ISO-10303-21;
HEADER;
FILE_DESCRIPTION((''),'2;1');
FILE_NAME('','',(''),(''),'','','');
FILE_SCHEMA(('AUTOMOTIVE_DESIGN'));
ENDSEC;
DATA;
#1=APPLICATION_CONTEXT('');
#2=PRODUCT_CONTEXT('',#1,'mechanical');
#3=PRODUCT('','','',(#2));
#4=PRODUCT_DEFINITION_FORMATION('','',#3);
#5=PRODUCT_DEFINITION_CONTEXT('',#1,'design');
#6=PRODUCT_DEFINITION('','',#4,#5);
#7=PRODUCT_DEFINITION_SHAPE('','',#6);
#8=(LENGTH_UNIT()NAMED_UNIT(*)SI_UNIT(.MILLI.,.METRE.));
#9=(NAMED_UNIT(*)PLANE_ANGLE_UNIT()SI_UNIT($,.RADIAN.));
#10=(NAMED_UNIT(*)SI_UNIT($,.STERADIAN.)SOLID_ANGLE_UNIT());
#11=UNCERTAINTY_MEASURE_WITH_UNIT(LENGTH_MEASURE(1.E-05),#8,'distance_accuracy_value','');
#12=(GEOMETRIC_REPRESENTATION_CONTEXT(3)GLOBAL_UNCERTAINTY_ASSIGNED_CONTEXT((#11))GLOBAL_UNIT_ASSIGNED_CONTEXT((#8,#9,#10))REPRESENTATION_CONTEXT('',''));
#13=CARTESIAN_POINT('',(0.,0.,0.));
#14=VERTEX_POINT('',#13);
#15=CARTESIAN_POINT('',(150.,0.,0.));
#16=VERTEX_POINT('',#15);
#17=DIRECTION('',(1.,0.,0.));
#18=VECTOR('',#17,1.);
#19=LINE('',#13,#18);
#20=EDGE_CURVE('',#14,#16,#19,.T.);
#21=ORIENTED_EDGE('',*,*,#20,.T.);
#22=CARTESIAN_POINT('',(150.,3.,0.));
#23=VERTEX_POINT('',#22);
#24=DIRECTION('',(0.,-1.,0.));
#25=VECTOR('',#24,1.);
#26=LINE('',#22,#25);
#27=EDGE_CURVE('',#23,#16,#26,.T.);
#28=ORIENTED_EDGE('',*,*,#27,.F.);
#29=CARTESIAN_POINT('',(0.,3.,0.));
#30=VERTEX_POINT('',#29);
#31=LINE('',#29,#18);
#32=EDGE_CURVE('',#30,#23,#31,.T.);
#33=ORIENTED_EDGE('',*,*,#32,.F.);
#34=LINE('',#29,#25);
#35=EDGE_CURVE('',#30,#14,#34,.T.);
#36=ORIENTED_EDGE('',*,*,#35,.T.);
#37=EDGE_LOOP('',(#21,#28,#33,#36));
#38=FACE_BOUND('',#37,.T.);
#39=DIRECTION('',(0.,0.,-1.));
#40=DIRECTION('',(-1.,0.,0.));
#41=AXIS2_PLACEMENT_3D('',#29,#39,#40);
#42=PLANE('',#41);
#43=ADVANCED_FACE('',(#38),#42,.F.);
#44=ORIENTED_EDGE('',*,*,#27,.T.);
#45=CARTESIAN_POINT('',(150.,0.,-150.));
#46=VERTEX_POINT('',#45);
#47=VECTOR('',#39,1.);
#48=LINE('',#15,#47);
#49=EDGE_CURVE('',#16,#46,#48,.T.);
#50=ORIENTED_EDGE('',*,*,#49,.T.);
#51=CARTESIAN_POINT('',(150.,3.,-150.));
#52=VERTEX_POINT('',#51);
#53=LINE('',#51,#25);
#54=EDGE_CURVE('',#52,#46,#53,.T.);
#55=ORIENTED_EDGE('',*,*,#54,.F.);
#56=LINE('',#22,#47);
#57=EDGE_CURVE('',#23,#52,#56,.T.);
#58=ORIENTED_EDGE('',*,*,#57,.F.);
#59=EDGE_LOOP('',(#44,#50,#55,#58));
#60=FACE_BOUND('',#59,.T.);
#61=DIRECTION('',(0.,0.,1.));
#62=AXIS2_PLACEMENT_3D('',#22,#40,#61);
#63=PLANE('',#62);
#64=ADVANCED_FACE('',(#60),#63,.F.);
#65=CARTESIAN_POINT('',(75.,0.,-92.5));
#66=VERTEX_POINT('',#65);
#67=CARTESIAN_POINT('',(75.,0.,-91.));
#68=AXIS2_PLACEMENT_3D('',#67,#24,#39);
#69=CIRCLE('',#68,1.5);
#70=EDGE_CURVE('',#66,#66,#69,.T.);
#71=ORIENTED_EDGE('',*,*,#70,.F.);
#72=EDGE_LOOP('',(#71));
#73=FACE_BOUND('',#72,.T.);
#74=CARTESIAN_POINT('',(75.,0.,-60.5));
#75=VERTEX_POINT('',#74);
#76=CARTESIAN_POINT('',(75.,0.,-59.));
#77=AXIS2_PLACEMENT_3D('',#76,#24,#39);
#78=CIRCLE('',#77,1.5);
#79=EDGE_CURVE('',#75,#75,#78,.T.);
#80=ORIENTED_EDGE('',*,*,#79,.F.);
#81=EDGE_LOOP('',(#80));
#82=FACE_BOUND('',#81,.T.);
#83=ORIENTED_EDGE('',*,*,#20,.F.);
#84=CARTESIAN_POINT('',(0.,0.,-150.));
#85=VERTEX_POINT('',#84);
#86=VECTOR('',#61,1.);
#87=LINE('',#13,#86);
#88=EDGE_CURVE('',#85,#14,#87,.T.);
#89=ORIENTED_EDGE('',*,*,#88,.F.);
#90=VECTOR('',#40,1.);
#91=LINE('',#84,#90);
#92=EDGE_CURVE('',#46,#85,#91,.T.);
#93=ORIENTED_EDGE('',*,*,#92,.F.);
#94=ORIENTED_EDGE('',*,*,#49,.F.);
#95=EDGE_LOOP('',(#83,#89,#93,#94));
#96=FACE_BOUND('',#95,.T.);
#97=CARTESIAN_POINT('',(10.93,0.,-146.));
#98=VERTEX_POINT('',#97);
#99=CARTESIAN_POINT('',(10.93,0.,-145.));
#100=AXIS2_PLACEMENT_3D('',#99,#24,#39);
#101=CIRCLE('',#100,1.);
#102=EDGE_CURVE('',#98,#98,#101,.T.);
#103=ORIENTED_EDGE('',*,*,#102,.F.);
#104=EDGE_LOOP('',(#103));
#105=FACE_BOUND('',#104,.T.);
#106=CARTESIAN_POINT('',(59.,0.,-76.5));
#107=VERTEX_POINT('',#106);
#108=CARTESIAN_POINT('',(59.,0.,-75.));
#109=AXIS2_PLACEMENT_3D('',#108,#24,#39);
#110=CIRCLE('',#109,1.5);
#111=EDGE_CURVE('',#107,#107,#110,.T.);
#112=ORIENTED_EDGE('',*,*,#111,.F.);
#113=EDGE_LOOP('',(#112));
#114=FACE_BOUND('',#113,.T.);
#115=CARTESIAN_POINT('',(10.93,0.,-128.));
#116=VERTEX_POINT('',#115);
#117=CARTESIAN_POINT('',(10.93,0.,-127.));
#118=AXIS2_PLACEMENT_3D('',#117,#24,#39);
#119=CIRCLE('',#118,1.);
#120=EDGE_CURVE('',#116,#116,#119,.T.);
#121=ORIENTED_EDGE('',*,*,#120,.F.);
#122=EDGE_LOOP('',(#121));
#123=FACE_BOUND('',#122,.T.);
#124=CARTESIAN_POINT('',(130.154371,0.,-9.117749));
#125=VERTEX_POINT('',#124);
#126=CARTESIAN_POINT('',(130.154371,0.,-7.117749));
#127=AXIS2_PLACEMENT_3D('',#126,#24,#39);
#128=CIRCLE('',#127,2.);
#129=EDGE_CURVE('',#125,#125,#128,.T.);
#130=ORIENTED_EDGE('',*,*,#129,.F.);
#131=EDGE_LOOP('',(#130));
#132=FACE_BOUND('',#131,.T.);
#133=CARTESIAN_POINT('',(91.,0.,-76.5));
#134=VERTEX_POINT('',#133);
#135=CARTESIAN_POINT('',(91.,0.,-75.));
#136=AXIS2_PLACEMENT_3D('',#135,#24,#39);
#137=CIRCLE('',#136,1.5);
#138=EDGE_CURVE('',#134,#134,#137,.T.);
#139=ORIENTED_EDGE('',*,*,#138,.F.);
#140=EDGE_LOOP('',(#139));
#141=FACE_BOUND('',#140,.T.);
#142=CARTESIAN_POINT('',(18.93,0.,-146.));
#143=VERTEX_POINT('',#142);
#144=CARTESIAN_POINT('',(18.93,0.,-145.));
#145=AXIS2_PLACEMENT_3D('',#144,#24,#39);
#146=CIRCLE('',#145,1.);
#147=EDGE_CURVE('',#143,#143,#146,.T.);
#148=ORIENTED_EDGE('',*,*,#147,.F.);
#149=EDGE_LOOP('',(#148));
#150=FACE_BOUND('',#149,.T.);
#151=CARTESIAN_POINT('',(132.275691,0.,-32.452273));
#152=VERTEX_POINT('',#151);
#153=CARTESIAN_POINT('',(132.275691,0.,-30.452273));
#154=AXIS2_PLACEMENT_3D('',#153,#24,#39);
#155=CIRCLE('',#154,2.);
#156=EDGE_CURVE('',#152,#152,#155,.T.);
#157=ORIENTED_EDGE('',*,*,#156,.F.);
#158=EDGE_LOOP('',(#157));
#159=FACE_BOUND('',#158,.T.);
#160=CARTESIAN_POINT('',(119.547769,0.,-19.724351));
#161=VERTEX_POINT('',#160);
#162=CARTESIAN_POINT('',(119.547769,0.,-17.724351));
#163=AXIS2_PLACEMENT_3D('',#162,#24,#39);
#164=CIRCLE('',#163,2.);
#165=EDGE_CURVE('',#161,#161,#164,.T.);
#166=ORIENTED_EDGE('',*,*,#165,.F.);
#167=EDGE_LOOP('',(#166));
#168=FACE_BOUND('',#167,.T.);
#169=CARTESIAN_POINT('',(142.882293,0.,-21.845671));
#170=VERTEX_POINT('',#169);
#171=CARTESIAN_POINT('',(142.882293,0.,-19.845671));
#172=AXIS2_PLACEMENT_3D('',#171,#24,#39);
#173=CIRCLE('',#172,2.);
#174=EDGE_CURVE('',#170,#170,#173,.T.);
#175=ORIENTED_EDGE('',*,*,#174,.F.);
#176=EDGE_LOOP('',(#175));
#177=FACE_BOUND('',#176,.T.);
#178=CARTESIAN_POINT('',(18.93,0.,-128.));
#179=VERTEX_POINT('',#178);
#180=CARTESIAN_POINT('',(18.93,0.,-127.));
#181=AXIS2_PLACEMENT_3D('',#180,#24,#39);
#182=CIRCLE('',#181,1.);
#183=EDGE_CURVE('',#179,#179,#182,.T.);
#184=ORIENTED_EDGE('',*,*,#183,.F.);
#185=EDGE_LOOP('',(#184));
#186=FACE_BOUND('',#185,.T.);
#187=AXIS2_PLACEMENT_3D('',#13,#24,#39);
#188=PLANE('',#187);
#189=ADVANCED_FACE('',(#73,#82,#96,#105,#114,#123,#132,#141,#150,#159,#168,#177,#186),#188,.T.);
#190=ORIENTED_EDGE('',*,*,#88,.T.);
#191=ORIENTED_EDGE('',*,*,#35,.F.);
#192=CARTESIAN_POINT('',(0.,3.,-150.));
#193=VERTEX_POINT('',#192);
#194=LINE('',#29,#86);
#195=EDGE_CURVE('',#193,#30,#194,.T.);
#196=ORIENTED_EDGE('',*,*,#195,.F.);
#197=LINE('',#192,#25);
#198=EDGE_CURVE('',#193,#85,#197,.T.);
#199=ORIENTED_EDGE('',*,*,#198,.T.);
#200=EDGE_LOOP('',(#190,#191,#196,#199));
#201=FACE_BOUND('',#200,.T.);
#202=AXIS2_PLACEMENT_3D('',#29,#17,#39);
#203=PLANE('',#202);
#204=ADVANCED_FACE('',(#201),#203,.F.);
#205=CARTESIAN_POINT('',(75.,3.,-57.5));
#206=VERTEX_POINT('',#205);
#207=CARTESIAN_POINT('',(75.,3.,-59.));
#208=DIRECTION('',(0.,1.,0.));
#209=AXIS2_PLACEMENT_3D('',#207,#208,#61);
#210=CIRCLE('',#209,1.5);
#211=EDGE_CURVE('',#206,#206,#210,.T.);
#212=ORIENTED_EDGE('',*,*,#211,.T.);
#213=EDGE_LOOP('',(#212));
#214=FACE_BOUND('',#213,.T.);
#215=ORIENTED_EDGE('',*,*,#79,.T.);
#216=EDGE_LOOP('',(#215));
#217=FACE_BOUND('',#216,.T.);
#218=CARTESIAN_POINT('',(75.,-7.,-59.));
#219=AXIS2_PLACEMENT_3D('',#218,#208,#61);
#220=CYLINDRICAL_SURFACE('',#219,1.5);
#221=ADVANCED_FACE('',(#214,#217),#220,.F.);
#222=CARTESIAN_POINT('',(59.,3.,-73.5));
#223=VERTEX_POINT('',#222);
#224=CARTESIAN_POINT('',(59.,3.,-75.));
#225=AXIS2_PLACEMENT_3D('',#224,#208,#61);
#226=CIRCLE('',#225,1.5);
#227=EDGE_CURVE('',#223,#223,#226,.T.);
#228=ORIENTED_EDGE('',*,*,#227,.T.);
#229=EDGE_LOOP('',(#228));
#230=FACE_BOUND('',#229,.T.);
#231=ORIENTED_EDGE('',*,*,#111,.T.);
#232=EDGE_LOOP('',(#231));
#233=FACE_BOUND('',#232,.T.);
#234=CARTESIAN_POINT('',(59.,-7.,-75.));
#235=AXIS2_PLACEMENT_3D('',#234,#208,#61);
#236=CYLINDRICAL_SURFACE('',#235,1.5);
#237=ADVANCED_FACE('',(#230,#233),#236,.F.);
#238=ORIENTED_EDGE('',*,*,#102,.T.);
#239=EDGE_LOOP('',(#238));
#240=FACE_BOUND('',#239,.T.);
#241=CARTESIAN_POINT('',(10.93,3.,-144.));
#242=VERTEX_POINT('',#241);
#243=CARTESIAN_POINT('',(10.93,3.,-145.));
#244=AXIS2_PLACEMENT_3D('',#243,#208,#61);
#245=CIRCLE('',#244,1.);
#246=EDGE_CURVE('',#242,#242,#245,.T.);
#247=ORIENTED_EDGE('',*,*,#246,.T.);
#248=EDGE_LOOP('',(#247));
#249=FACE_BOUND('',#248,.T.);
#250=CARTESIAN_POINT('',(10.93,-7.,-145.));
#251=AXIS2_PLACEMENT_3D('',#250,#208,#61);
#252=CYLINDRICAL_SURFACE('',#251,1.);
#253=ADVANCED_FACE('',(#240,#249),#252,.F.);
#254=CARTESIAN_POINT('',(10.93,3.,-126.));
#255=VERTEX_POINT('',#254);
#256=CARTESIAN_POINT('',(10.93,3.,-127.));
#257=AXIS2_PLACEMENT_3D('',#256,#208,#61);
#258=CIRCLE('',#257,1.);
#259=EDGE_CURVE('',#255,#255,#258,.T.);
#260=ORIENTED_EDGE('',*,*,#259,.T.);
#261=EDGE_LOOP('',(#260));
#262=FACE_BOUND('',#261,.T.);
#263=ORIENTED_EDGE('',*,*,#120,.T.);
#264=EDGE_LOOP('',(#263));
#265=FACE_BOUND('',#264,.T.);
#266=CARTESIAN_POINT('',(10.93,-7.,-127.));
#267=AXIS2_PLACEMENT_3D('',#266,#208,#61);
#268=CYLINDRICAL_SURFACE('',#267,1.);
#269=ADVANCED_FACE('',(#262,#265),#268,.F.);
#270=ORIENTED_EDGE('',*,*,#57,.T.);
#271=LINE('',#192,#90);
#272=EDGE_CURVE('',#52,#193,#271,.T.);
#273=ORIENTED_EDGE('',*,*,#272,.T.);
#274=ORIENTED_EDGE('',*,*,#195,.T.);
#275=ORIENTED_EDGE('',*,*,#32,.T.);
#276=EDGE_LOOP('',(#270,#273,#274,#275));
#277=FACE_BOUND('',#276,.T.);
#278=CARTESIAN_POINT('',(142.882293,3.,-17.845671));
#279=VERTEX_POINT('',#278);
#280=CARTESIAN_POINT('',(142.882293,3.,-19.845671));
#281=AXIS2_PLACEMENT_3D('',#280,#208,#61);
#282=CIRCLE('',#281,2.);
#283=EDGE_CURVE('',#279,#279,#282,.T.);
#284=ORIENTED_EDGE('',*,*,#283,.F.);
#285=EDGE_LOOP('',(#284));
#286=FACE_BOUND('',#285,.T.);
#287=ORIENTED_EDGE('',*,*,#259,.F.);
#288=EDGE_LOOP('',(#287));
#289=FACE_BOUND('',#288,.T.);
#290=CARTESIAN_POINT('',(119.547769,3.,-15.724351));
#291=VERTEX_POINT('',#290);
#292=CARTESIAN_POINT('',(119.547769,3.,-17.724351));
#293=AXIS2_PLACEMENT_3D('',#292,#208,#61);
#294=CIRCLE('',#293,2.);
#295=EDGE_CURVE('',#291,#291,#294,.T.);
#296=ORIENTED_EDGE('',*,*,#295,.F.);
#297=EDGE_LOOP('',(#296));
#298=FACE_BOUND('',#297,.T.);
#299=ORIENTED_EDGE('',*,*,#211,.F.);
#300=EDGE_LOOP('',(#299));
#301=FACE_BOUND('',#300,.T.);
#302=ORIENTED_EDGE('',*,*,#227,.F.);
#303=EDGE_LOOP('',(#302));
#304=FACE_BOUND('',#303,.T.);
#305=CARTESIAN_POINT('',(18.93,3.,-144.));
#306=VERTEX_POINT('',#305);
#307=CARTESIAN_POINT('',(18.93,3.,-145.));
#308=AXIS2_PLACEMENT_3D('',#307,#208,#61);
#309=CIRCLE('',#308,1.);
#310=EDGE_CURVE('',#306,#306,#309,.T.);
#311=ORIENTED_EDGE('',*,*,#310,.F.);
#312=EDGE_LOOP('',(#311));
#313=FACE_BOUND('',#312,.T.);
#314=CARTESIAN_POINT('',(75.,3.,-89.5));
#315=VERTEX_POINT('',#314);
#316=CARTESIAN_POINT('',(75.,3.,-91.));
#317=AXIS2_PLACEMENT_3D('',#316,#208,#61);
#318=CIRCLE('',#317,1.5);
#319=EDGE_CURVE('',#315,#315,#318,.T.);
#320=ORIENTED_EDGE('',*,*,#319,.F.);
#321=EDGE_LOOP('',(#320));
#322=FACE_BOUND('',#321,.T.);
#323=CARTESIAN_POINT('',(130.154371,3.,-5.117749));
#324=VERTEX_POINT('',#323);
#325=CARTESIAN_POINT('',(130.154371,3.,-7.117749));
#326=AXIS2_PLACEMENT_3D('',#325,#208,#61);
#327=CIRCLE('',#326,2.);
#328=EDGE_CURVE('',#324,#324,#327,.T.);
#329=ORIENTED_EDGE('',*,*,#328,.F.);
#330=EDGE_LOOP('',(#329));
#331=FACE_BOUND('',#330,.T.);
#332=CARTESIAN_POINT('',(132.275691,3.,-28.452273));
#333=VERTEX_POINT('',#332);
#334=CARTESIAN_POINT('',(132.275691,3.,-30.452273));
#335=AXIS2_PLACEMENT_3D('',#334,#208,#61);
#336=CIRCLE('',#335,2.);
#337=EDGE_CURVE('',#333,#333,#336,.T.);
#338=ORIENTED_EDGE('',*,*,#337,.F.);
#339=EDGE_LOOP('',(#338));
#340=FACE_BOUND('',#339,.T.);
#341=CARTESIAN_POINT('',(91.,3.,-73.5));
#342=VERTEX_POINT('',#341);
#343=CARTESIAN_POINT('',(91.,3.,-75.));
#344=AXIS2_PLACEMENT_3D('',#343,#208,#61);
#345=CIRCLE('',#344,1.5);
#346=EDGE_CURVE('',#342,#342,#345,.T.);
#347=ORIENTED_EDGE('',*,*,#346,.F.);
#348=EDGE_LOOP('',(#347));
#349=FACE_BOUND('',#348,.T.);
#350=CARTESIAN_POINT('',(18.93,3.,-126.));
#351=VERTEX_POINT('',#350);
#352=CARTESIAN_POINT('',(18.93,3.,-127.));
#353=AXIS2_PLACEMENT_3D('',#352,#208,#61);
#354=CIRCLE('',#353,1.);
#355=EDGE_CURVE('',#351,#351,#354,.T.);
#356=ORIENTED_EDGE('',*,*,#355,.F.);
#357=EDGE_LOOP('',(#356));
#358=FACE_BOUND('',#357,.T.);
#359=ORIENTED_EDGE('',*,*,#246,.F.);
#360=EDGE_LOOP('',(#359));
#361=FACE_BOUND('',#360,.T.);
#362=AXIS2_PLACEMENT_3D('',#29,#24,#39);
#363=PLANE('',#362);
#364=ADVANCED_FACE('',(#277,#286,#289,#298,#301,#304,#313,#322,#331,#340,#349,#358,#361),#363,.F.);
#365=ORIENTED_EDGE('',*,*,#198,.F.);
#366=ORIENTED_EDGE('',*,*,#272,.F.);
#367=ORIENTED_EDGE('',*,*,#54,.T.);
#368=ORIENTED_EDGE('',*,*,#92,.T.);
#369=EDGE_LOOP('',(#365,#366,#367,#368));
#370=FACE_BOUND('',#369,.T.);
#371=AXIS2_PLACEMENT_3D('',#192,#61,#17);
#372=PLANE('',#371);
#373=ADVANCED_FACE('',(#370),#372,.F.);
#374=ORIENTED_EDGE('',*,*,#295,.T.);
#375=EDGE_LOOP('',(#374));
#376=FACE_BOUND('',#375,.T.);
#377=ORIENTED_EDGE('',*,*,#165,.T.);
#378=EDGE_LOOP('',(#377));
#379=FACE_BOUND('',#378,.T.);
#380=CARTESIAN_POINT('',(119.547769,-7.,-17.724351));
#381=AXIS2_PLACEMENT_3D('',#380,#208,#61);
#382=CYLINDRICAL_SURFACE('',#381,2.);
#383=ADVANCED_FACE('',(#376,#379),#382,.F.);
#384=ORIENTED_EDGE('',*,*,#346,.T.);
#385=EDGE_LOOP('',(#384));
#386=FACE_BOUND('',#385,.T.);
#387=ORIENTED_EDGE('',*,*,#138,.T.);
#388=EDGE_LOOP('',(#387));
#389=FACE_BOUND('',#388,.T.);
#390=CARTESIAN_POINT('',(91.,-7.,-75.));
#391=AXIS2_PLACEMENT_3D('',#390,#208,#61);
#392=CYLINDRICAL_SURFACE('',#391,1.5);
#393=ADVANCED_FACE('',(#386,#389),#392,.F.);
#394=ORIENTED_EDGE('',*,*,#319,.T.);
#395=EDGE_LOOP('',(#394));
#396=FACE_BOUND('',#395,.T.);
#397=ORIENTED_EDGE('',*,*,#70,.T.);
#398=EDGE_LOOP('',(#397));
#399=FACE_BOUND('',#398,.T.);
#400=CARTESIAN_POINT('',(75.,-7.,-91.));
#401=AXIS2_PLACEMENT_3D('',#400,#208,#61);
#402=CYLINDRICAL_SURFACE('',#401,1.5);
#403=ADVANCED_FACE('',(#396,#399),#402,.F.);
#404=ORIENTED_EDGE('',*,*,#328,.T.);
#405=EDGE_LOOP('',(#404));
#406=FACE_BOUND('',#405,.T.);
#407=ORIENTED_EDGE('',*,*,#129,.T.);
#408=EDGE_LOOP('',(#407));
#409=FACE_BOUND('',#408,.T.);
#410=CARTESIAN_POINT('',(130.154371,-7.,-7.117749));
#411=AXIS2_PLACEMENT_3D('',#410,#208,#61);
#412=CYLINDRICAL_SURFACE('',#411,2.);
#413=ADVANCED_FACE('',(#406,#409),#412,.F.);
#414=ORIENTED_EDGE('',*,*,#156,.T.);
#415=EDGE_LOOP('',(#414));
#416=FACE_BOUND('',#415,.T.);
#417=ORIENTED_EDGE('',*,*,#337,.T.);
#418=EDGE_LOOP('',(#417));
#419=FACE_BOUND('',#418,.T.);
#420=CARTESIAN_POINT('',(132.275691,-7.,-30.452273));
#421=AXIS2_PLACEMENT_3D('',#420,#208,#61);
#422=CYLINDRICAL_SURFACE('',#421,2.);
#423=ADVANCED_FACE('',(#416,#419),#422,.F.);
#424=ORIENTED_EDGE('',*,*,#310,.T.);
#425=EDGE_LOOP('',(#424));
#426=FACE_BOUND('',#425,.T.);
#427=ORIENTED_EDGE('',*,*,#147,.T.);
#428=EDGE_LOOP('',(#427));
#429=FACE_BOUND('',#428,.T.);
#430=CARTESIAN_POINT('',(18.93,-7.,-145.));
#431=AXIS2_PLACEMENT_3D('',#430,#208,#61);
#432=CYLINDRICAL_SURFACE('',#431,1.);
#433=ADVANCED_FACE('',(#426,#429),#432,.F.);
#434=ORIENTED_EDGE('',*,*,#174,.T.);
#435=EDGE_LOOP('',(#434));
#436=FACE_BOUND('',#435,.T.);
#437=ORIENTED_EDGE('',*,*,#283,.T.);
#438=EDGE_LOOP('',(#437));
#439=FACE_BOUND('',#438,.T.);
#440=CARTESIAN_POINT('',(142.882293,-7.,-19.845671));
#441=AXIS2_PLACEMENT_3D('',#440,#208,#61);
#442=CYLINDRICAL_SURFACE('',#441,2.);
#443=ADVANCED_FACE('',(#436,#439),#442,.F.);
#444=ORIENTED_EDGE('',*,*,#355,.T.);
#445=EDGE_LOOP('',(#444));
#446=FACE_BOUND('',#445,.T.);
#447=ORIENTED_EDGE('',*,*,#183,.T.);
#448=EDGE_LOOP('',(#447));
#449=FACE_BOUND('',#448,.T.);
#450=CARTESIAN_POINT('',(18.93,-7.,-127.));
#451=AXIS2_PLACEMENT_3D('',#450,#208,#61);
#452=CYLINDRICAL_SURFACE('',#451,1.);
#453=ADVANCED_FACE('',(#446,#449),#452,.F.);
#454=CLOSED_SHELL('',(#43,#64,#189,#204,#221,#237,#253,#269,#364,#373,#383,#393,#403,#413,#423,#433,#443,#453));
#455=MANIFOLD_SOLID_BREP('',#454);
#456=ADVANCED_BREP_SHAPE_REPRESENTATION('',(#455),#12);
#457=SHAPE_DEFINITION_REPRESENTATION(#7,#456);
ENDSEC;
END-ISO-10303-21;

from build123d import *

# Parameters (mm, degrees)
SKETCH1_W           = 150
SKETCH1_H           = 150
BOSS_EXTRUDE1_DEPTH = 3
SKETCH2_R           = 1.5
SKETCH2_R_2         = 1
CUT_EXTRUDE1_DEPTH  = 10
SKETCH5_R           = 2
CUT_EXTRUDE2_DEPTH  = 10


with BuildPart() as part:
    # Sketch1 → Boss-Extrude1 (new body)
    with BuildSketch(Plane(origin=(0, 0, 0), x_dir=(1, 0, 0), z_dir=(0, 1, 0))):
        with Locations((75, 75)):
            Rectangle(SKETCH1_W, SKETCH1_H)
    extrude(amount=BOSS_EXTRUDE1_DEPTH)

    # Sketch2 → Cut-Extrude1 (cut)
    with BuildSketch(Plane(origin=(0, 3, 0), x_dir=(1, 0, 0), z_dir=(0, 1, 0))):
        with Locations(Location((75, 59, 0), (0, 0, 270))):
            Circle(SKETCH2_R)
        with Locations(Location((59, 75, 0), (0, 0, 270))):
            Circle(SKETCH2_R)
        with Locations(Location((75, 91, 0), (0, 0, 270))):
            Circle(SKETCH2_R)
        with Locations(Location((91, 75, 0), (0, 0, 270))):
            Circle(SKETCH2_R)
        with Locations(Location((18.93, 145, 0), (0, 0, 270))):
            Circle(SKETCH2_R_2)
        with Locations(Location((10.93, 145, 0), (0, 0, 270))):
            Circle(SKETCH2_R_2)
        with Locations(Location((18.93, 127, 0), (0, 0, 270))):
            Circle(SKETCH2_R_2)
        with Locations(Location((10.93, 127, 0), (0, 0, 270))):
            Circle(SKETCH2_R_2)
    extrude(amount=-CUT_EXTRUDE1_DEPTH, mode=Mode.SUBTRACT)

    # Sketch5 → Cut-Extrude2 (cut)
    with BuildSketch(Plane(origin=(0, 3, 0), x_dir=(1, 0, 0), z_dir=(0, 1, 0))):
        with Locations(Location((132.275691154, 30.452272789, 0), (0, 0, 270))):
            Circle(SKETCH5_R)
        with Locations(Location((119.547769092, 17.724350728, 0), (0, 0, 270))):
            Circle(SKETCH5_R)
        with Locations(Location((130.15437081, 7.11774901, 0), (0, 0, 270))):
            Circle(SKETCH5_R)
        with Locations(Location((142.882292871, 19.845671071, 0), (0, 0, 270))):
            Circle(SKETCH5_R)
    extrude(amount=-CUT_EXTRUDE2_DEPTH, mode=Mode.SUBTRACT)


solid = part.part
